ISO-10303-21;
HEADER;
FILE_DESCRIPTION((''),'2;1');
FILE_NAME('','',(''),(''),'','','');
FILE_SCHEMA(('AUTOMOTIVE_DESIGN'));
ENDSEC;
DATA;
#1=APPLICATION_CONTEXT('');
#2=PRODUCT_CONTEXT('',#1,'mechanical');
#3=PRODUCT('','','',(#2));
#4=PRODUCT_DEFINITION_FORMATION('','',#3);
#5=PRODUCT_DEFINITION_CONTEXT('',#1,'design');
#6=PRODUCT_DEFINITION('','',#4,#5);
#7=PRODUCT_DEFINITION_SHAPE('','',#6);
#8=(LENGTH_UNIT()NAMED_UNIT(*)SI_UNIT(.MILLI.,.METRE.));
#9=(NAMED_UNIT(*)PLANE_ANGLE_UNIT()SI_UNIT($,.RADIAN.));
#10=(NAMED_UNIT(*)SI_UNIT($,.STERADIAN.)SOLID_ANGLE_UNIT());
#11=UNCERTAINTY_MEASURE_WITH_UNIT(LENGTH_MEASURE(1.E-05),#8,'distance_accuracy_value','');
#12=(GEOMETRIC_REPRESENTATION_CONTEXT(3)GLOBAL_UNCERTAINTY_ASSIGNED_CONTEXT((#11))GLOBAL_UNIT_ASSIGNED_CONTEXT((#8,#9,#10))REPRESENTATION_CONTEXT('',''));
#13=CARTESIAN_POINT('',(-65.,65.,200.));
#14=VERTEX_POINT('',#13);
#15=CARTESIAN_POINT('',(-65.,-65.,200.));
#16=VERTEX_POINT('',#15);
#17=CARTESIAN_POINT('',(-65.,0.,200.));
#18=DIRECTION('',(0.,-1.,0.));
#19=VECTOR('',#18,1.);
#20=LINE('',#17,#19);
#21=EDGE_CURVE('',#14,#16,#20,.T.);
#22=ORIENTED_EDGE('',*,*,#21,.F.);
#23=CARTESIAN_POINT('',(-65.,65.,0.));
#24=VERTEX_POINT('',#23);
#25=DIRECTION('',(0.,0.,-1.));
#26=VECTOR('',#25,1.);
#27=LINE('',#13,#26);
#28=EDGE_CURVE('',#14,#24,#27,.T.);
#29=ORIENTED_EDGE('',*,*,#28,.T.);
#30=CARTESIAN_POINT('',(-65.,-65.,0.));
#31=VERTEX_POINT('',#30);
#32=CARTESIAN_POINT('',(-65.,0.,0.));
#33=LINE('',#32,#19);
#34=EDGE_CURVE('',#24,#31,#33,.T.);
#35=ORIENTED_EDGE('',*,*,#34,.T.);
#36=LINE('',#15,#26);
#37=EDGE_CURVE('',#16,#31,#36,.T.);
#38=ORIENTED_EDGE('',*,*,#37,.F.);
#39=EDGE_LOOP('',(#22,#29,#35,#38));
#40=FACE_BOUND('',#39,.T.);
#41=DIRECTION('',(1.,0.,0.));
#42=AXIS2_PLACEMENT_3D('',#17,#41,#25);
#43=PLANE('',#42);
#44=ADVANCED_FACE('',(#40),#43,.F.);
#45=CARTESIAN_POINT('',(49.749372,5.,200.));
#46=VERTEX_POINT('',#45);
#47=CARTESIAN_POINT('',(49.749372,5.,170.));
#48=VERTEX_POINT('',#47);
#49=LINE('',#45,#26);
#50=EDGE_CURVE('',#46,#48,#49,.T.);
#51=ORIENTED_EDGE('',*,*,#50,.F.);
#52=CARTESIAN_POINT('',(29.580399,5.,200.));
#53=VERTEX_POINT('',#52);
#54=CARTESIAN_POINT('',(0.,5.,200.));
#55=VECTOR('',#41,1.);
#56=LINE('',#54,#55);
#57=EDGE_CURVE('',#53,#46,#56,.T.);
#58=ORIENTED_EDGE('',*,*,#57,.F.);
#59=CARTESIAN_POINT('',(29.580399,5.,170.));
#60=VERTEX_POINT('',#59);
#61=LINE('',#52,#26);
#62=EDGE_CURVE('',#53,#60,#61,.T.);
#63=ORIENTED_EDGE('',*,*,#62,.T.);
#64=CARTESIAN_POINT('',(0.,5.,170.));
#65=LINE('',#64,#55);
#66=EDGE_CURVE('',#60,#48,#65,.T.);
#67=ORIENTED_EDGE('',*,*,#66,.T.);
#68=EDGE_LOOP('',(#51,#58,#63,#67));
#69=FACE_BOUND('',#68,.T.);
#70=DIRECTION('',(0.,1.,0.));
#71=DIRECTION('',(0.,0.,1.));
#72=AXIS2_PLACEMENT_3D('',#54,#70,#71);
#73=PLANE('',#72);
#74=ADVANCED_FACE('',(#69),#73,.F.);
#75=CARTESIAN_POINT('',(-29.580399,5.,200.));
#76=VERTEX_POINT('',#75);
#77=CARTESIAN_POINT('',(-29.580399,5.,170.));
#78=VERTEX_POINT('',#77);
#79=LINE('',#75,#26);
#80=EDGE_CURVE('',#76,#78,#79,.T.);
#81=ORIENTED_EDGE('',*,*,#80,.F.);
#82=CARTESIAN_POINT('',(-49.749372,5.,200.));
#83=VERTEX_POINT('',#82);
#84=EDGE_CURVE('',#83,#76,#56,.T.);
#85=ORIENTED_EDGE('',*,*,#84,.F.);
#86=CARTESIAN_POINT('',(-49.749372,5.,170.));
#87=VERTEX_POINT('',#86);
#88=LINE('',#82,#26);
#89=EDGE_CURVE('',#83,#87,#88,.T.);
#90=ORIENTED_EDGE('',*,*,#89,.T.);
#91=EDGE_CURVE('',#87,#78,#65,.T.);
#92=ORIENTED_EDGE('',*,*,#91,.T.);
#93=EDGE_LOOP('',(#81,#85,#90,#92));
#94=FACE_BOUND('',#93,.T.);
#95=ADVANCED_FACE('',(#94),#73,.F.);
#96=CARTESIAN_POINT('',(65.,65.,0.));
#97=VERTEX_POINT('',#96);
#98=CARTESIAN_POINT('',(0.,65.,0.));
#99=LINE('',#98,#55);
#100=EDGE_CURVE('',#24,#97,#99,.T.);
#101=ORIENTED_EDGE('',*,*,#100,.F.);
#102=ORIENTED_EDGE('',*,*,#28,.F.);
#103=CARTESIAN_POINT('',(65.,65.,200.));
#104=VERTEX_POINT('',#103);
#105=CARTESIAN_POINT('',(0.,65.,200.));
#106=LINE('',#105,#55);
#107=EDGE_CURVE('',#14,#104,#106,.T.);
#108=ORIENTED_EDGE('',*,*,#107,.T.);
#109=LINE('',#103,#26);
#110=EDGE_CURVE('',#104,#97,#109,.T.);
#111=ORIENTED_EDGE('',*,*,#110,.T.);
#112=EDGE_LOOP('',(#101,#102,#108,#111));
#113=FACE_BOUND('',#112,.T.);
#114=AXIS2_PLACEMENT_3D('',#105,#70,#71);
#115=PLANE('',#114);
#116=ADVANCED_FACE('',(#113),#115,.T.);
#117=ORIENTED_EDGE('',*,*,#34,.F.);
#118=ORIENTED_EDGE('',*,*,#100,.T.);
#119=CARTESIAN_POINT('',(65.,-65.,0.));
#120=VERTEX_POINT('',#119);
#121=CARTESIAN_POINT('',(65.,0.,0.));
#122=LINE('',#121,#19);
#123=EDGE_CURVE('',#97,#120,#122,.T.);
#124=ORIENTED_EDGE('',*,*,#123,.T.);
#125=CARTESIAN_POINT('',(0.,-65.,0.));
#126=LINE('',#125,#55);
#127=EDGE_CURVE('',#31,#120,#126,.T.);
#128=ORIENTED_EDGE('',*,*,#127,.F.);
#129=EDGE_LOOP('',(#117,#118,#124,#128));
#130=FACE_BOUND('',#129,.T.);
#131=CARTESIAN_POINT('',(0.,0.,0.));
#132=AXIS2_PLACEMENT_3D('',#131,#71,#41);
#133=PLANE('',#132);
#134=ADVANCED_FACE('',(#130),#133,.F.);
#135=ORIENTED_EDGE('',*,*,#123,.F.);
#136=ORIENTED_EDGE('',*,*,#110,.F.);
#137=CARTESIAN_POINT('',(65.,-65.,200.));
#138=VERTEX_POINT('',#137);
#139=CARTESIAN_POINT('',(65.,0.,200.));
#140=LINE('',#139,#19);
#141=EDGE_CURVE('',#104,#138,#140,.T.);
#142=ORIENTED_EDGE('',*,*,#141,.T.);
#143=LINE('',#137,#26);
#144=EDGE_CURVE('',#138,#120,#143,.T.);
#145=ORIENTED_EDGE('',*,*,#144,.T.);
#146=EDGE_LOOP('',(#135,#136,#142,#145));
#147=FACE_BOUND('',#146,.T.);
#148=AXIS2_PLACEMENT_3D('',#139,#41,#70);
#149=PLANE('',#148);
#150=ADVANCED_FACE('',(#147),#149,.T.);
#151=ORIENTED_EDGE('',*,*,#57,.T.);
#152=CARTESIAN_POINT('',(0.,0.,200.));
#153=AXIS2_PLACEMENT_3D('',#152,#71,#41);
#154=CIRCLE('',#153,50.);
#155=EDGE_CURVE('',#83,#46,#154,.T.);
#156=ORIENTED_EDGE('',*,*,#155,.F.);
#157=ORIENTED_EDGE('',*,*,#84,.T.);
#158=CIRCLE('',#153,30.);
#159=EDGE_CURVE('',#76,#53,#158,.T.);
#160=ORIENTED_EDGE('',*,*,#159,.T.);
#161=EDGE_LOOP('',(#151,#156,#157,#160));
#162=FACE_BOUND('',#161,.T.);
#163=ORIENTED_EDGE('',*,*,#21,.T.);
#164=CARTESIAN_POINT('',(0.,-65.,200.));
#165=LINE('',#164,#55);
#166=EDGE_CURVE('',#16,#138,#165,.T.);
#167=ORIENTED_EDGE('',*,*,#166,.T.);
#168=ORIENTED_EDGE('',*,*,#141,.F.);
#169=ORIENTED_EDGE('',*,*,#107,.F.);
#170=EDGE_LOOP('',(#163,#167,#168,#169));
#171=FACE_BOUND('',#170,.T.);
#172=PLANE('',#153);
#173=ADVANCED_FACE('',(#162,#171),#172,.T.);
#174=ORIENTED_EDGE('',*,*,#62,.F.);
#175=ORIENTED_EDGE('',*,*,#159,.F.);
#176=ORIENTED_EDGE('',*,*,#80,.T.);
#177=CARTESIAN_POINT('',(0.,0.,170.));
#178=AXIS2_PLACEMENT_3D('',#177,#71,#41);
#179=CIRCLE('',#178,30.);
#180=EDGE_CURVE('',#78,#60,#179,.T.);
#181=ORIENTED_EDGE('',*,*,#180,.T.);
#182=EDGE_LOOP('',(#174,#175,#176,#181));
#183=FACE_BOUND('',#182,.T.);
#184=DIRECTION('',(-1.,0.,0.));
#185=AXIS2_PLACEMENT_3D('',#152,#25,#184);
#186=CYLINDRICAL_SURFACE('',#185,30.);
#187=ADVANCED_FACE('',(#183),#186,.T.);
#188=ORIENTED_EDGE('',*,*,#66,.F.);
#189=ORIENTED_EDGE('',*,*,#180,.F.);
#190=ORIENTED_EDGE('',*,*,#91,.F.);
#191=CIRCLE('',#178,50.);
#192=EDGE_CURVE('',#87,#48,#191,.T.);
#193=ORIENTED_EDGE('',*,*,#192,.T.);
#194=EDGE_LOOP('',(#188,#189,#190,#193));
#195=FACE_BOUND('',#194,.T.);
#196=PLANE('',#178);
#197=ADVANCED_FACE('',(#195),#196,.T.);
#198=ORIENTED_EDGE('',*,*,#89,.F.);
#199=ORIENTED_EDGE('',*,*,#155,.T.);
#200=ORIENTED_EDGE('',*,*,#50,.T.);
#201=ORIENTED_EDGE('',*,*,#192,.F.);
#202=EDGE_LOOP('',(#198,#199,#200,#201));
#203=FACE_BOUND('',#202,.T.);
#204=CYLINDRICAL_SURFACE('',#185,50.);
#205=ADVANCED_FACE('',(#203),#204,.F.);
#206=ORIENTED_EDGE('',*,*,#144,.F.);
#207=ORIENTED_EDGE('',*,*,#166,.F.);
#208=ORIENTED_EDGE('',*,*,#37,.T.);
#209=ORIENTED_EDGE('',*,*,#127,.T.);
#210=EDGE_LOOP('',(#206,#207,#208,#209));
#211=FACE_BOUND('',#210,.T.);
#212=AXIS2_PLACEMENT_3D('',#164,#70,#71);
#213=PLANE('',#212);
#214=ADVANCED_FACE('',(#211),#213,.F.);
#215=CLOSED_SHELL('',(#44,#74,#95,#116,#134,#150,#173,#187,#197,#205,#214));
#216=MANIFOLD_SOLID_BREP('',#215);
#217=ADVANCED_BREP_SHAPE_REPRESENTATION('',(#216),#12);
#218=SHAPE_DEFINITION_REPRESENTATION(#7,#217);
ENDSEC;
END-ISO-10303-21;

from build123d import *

# Parameters (mm, degrees)
SKETCH_4_W      = 130
SKETCH_4_H      = 130
EXTRUDE_1_DEPTH = 200
SKETCH_5_W      = 130
SKETCH_5_H      = 130
EXTRUDE_2_DEPTH = 170


with BuildPart() as part:
    # 스케치4 → 보스-돌출1 (new body)
    with BuildSketch(Plane.XY):
        Rectangle(SKETCH_4_W, SKETCH_4_H)
        with BuildLine():
            Line((-49.749371855, 5), (-29.580398915, 5))
            ThreePointArc((-29.580398915, 5), (0, -30), (29.580398915, 5))
            Line((29.580398915, 5), (49.749371855, 5))
            ThreePointArc((49.749371855, 5), (0, -50), (-49.749371855, 5))
        make_face(mode=Mode.SUBTRACT)
    extrude(amount=EXTRUDE_1_DEPTH)

    # 스케치5 → 보스-돌출2 (add)
    with BuildSketch(Plane(origin=(0, 0, 0), x_dir=(-1, 0, 0), z_dir=(0, 0, -1))):
        Rectangle(SKETCH_5_W, SKETCH_5_H)
    extrude(amount=-EXTRUDE_2_DEPTH)


solid = part.part
